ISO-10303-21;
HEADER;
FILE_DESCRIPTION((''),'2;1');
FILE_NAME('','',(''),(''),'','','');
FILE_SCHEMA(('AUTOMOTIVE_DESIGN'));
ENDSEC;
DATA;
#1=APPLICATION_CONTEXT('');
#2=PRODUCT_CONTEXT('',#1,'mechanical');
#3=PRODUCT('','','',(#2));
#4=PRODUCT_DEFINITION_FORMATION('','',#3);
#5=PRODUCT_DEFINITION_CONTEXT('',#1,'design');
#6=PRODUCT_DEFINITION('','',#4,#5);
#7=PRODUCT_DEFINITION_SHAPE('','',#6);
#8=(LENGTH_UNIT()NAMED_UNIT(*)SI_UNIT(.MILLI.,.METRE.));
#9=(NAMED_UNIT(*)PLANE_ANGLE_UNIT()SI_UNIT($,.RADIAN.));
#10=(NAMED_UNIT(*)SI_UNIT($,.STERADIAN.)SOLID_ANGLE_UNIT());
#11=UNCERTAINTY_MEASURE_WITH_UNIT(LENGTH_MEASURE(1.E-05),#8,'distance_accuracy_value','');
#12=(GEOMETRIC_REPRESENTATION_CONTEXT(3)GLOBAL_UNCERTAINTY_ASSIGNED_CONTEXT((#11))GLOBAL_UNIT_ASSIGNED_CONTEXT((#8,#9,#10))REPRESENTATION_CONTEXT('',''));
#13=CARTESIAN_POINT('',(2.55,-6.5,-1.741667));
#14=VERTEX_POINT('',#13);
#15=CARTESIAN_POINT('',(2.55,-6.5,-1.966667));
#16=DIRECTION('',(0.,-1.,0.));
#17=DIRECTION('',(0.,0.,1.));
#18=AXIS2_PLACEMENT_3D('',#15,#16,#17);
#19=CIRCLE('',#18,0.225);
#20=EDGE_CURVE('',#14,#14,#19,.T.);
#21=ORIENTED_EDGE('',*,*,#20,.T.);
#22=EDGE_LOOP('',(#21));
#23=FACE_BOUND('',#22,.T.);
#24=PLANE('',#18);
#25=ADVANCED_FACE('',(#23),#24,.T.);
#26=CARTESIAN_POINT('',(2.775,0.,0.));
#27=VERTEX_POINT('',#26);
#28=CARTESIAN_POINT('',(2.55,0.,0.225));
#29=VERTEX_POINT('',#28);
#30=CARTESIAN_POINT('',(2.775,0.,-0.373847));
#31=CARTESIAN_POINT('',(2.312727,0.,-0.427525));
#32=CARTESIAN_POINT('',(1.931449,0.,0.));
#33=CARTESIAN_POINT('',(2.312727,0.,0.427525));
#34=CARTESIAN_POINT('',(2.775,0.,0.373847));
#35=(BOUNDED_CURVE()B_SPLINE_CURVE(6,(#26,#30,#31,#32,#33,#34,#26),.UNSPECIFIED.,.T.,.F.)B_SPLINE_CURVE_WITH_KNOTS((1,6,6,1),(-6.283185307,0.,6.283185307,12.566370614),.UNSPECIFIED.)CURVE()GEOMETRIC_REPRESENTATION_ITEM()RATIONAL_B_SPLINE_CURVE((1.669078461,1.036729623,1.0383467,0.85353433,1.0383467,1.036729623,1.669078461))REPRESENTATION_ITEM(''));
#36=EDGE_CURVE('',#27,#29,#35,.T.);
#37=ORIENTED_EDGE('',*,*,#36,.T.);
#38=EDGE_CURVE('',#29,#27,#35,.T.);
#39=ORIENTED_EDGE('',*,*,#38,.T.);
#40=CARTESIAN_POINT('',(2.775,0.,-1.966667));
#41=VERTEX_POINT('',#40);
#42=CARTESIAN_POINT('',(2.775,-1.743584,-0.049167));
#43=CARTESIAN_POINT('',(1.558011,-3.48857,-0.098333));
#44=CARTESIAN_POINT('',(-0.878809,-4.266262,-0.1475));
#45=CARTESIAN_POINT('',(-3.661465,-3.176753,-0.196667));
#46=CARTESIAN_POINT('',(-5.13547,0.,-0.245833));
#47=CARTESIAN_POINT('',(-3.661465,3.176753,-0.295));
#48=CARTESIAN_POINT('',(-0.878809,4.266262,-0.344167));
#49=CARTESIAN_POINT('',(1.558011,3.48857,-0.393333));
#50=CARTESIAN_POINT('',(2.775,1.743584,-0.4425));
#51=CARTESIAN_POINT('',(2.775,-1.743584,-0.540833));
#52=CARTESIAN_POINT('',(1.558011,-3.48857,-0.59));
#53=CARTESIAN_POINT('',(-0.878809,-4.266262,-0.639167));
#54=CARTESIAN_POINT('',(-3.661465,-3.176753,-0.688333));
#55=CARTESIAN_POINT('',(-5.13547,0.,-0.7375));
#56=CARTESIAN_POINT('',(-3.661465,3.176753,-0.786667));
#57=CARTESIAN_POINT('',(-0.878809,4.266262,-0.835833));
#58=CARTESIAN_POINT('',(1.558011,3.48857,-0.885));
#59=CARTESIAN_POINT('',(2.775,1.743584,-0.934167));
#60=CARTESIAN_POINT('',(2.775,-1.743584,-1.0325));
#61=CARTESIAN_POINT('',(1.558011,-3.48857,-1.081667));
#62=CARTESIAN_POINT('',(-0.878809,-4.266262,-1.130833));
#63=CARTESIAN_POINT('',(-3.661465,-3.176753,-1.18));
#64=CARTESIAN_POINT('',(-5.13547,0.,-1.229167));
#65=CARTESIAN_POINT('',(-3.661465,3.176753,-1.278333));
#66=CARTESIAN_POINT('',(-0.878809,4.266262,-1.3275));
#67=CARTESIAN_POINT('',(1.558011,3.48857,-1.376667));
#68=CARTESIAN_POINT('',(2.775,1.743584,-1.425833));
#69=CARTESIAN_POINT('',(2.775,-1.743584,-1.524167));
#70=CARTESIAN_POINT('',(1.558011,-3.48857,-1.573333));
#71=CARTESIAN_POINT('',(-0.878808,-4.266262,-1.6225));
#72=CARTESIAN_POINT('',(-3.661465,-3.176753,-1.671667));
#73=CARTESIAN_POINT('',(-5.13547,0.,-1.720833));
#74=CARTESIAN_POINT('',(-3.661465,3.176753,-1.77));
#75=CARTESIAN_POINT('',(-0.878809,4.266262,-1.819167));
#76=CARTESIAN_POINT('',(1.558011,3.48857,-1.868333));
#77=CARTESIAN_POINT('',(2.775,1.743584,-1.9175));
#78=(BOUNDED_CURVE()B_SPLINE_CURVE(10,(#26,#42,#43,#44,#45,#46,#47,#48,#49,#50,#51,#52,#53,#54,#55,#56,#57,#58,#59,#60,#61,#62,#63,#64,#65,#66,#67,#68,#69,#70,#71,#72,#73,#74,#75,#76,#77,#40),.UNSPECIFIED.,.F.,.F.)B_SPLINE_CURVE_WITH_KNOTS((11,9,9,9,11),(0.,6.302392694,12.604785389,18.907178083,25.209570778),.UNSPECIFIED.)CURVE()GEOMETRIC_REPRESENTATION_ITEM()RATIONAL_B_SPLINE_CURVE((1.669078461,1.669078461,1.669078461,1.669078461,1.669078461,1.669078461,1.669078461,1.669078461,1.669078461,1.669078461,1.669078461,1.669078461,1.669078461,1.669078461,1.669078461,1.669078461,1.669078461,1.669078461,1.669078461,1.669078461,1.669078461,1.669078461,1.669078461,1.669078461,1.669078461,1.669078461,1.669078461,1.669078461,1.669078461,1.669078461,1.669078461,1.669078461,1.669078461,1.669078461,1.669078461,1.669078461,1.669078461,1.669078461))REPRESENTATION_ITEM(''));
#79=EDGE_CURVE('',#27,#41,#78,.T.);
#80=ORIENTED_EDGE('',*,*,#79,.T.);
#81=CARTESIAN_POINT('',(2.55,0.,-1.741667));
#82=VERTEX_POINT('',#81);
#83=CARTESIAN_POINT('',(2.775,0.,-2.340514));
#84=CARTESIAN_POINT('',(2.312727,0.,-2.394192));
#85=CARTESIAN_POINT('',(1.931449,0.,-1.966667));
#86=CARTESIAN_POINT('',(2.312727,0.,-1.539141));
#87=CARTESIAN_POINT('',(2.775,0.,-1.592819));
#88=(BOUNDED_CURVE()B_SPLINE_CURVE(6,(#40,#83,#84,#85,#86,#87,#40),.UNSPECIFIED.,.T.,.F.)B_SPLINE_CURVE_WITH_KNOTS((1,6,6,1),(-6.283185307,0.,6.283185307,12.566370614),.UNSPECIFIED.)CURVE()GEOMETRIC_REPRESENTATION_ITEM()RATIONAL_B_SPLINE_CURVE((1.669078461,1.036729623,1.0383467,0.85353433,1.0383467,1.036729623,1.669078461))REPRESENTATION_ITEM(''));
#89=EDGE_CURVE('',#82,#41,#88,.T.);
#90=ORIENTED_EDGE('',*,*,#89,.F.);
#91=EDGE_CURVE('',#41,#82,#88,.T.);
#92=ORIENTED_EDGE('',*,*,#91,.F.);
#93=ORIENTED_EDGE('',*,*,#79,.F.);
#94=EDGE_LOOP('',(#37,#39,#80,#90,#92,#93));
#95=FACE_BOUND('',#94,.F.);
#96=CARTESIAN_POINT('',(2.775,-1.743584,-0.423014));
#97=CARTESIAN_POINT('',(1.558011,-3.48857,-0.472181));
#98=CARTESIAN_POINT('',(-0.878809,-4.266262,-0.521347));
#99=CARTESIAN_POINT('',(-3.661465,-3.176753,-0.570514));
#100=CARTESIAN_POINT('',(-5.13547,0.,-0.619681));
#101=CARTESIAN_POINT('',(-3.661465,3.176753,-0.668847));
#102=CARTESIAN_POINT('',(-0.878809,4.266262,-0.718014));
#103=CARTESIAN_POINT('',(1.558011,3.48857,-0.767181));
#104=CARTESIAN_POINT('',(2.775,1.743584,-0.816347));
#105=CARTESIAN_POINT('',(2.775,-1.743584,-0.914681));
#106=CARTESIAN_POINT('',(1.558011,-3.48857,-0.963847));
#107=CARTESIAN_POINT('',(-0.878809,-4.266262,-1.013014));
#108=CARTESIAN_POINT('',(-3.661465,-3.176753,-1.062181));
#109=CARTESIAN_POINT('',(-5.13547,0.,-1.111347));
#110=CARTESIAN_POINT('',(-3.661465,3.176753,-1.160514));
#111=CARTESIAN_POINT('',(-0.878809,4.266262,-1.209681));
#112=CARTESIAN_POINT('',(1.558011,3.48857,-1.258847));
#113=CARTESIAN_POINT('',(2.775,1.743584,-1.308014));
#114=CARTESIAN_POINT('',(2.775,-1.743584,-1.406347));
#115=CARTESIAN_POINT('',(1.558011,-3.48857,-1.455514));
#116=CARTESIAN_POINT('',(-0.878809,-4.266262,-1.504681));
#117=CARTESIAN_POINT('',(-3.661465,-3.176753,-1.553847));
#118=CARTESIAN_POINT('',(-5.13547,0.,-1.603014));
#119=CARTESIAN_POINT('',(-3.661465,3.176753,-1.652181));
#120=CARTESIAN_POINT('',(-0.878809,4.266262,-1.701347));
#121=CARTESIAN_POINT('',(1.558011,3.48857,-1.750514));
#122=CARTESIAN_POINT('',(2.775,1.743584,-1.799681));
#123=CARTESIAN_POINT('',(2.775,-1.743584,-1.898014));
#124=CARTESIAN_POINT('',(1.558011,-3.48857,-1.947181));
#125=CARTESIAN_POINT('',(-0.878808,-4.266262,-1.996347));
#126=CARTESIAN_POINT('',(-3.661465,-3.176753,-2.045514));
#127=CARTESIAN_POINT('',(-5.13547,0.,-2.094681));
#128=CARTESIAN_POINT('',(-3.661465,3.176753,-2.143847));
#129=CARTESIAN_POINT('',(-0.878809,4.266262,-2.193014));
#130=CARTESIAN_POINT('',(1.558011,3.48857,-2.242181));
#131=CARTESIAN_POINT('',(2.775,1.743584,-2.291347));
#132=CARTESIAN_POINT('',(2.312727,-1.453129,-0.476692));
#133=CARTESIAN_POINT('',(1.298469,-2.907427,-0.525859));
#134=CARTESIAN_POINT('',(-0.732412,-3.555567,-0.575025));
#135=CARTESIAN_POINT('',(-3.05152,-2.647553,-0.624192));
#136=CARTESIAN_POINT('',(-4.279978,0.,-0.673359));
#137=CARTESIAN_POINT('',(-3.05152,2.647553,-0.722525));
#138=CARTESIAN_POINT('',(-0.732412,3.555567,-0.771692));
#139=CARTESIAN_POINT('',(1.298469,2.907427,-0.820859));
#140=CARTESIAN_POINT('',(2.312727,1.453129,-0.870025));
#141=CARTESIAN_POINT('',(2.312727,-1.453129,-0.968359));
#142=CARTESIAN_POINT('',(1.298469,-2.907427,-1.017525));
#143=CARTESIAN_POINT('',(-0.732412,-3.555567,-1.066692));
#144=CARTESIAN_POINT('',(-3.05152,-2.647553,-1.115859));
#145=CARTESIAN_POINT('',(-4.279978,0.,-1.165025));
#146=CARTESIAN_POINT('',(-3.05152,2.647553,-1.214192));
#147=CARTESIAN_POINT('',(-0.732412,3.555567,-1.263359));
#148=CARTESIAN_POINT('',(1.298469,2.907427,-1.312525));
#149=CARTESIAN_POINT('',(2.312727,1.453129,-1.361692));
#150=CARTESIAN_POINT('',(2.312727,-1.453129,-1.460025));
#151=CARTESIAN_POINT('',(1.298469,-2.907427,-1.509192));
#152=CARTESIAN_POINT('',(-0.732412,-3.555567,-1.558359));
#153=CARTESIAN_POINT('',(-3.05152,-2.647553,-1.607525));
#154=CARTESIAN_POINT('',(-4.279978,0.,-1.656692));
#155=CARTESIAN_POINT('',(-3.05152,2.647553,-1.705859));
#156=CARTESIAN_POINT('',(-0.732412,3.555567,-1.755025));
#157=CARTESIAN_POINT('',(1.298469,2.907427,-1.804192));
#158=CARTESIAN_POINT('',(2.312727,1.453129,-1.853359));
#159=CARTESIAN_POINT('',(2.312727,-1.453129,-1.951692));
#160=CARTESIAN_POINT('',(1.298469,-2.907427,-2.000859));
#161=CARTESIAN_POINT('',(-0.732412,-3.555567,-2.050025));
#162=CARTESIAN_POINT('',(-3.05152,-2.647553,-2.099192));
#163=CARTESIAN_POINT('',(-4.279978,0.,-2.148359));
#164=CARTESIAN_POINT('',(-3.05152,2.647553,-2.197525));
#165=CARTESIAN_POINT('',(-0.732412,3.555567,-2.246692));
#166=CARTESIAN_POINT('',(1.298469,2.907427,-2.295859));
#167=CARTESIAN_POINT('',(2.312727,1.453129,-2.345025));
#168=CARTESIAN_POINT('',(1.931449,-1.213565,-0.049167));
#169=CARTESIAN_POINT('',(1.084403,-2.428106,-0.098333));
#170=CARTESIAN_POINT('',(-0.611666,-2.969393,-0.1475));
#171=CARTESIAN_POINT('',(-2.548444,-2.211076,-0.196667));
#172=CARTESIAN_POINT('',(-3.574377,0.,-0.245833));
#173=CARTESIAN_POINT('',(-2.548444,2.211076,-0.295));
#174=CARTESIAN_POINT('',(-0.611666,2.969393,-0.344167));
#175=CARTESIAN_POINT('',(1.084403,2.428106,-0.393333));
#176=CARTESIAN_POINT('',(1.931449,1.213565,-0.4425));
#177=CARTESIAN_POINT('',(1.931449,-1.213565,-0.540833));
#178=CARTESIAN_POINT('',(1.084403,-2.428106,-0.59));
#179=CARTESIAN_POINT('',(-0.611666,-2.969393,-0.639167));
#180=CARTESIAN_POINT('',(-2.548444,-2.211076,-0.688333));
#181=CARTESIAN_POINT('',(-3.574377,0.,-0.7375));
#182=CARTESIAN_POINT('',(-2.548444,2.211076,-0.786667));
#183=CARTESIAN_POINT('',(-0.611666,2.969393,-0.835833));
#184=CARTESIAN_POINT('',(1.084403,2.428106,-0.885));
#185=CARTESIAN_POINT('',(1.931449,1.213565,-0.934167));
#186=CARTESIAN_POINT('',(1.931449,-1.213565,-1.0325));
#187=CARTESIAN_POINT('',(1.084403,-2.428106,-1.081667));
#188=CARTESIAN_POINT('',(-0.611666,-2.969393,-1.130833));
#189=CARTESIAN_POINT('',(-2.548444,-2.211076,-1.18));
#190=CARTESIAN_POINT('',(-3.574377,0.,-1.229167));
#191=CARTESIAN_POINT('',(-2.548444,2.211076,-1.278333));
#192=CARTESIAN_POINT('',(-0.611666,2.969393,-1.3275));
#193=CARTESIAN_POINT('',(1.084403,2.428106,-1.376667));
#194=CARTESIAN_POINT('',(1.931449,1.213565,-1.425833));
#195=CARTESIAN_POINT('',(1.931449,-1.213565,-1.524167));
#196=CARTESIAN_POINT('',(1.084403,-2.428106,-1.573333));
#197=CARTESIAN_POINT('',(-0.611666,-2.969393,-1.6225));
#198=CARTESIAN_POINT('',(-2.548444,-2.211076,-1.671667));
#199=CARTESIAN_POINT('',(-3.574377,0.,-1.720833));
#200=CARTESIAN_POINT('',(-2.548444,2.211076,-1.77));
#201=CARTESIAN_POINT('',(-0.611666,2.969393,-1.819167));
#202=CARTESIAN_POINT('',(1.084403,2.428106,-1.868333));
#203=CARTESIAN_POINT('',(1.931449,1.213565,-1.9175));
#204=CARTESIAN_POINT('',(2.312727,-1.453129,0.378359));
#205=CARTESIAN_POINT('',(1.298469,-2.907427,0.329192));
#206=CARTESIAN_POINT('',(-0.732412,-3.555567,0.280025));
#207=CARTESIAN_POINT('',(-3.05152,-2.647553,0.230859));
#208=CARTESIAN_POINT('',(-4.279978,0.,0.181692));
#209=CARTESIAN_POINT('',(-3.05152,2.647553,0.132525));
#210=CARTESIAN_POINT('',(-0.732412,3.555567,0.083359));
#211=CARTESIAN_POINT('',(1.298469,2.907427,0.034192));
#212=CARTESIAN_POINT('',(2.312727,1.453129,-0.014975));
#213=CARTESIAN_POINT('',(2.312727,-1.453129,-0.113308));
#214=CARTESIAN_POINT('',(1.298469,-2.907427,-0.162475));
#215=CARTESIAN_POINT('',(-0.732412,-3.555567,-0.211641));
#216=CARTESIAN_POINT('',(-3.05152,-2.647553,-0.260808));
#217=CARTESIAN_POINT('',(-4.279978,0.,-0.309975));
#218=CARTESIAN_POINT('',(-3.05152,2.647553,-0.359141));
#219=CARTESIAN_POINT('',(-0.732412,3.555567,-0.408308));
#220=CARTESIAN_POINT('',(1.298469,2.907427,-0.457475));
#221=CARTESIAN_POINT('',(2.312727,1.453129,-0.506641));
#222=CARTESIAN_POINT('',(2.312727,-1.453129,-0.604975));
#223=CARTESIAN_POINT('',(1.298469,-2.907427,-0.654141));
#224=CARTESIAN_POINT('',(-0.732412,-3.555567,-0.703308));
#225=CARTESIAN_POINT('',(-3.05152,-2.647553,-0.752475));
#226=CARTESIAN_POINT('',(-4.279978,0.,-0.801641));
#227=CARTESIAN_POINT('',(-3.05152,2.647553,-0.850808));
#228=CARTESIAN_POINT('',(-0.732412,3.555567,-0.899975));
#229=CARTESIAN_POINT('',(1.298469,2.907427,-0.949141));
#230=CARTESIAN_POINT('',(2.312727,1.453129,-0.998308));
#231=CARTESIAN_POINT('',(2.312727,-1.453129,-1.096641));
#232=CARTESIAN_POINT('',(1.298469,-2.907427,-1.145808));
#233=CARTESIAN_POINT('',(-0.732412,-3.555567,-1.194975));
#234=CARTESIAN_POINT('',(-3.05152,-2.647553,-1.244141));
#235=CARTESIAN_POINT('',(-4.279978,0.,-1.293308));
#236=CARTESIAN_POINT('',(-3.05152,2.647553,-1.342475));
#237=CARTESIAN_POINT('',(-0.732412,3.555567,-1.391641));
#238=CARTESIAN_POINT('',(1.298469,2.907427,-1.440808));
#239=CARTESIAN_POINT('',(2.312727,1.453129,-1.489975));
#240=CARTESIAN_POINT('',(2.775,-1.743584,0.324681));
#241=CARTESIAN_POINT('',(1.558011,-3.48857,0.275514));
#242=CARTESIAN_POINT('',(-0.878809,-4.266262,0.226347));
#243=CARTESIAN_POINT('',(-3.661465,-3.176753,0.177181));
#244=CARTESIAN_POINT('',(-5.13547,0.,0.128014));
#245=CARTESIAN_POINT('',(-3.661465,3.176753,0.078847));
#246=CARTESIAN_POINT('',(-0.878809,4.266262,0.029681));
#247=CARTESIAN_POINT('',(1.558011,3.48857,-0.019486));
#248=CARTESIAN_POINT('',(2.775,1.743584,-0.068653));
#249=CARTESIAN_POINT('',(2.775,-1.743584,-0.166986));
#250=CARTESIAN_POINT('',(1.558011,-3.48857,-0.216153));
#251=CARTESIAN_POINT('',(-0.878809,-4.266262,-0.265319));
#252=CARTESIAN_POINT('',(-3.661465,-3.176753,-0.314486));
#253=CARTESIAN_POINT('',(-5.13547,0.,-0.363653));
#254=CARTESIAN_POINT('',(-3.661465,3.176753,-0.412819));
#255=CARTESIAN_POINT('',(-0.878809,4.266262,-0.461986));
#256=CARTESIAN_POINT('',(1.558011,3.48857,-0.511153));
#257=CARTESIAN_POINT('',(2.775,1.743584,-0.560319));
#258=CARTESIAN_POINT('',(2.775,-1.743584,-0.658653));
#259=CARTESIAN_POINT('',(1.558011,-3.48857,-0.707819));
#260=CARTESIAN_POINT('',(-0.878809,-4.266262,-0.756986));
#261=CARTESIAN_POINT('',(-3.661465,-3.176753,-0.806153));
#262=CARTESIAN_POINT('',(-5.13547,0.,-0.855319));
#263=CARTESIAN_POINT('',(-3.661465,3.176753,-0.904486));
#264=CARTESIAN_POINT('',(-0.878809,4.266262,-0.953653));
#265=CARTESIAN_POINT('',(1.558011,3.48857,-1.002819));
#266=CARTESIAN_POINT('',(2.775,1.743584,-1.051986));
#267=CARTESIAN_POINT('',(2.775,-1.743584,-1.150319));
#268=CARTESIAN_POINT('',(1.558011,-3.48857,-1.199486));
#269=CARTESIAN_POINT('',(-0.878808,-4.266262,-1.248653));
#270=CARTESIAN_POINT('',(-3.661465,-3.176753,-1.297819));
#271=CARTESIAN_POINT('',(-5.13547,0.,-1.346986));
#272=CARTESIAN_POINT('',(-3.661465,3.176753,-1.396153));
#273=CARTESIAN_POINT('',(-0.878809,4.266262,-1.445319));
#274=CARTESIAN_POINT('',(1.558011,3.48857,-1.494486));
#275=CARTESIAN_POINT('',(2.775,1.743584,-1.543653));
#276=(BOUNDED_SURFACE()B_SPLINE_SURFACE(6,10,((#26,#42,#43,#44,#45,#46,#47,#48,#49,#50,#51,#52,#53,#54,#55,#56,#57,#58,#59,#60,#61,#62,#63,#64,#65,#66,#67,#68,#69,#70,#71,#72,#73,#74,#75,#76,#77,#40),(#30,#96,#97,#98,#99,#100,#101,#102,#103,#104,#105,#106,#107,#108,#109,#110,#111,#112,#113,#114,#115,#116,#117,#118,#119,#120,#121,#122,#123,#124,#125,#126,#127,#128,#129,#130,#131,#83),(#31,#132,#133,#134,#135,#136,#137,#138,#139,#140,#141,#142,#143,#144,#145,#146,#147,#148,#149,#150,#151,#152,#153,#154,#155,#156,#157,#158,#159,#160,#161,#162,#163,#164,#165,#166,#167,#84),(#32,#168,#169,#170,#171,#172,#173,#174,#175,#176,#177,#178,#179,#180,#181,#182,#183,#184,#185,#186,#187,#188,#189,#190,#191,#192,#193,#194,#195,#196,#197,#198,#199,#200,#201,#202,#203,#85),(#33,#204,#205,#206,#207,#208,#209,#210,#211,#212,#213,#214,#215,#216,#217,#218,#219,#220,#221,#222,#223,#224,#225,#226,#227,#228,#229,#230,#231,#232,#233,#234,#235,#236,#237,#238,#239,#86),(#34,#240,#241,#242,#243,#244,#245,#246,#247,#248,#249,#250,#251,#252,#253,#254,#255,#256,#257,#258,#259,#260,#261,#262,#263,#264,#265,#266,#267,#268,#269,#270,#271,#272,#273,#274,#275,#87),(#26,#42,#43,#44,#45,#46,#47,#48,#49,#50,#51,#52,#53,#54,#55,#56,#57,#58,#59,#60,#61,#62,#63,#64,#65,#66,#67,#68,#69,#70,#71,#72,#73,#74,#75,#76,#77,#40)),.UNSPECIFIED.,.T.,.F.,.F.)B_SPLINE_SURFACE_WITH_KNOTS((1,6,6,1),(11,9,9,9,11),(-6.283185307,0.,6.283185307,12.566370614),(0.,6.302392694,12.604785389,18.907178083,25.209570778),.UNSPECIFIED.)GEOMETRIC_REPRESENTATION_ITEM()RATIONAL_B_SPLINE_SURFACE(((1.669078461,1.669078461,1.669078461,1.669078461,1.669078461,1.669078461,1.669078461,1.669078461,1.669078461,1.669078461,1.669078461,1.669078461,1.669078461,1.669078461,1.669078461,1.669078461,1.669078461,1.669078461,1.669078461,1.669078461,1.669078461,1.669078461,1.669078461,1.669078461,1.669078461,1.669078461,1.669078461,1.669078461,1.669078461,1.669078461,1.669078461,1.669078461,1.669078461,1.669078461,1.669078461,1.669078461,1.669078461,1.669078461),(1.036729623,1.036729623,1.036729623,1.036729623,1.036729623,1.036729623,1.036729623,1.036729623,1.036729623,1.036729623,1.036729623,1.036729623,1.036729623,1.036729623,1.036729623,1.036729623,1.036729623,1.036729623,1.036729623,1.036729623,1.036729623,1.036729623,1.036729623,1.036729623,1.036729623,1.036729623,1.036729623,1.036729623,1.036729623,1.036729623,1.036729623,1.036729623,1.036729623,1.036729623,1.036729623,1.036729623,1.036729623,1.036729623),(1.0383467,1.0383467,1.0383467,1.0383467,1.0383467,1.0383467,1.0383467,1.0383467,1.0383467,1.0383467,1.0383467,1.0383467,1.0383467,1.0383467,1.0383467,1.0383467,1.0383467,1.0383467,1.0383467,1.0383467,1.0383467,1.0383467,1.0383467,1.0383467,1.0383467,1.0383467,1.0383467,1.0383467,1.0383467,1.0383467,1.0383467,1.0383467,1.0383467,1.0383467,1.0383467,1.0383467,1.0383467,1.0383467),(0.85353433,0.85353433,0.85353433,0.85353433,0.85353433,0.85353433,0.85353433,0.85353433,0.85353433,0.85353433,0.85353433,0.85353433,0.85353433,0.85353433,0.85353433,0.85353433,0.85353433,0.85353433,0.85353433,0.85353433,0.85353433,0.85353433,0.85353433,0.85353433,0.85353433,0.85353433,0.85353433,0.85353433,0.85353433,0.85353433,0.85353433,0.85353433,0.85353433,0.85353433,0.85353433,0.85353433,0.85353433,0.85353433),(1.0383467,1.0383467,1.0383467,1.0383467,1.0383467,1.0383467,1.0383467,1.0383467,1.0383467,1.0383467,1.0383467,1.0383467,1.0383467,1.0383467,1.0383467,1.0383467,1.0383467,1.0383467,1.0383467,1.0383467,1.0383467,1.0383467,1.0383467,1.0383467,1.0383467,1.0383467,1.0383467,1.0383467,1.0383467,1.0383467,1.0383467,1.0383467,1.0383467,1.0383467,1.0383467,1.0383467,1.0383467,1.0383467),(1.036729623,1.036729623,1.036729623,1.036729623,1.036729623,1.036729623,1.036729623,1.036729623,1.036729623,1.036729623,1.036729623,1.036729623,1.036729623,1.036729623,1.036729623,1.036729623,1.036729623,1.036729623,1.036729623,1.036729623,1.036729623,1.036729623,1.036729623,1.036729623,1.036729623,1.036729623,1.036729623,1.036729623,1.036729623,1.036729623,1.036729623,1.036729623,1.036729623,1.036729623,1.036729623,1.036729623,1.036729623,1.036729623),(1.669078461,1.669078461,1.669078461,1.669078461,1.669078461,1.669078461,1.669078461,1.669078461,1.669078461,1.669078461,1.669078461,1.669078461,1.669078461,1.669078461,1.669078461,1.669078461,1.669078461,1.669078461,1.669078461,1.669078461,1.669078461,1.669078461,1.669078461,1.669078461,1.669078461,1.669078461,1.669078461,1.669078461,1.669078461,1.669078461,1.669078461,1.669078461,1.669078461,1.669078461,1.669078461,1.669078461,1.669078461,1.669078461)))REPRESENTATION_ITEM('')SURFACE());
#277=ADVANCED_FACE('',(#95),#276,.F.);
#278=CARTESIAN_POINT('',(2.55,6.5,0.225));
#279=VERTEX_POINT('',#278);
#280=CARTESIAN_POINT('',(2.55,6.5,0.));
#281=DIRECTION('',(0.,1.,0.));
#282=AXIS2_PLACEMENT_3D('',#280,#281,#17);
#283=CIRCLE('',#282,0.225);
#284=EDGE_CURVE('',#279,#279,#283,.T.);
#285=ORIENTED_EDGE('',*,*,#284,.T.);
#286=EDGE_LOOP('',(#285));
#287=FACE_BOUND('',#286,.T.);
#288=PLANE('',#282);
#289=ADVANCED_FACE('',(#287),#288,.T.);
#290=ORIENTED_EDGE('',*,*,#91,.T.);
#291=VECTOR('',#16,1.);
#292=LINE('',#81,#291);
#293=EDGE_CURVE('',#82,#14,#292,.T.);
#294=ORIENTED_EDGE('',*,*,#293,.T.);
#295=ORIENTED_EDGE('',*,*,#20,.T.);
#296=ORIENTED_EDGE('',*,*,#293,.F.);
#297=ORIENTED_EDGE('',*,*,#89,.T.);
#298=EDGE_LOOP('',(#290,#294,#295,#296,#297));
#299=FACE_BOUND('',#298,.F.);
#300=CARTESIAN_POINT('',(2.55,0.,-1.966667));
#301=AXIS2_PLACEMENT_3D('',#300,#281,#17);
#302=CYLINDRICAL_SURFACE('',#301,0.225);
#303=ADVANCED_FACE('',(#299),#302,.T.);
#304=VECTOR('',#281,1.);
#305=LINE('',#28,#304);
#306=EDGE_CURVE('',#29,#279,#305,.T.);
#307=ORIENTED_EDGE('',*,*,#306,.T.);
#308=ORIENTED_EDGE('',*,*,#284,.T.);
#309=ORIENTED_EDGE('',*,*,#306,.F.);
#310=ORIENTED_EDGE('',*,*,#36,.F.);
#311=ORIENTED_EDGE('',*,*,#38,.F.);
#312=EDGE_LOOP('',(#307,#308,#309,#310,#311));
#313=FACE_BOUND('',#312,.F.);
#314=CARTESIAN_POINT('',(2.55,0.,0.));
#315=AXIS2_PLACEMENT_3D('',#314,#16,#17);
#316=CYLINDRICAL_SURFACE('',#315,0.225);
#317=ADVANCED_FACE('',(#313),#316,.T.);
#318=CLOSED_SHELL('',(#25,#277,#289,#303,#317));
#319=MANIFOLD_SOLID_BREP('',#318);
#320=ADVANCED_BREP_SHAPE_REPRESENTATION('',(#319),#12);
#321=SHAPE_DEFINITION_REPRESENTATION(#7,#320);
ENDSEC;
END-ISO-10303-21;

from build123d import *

# Parameters (mm, degrees)
SWEEP1_PITCH        = 0.491666667
SWEEP1_HEIGHT       = 1.966666667
SWEEP1_RADIUS       = 2.55
SWEEP1_START_ANGLE  = -180
SKETCH2_R           = 0.225
SKETCH4_R           = 0.225
BOSS_EXTRUDE1_DEPTH = 6.5
SKETCH5_R           = 0.225
BOSS_EXTRUDE2_DEPTH = 6.5


with BuildPart() as part:
    # Sweep1: sweep along a helix
    with BuildLine() as sweep1_path:
        add(Helix(SWEEP1_PITCH, SWEEP1_HEIGHT, SWEEP1_RADIUS, center=(0, 0, 0), direction=(0, 0, -1), mode=Mode.PRIVATE).rotate(Axis((0, 0, 0), (0, 0, -1)), SWEEP1_START_ANGLE))
    # Sketch2 → Sweep1 (sweep)
    with BuildSketch(Plane(origin=(0, 0, 0), x_dir=(1, 0, 0), z_dir=(0, 1, 0))):
        with Locations((2.55, 0)):
            Circle(SKETCH2_R)
    sweep(path=sweep1_path.line, is_frenet=True)

    # Sketch4 → Boss-Extrude1 (add)
    with BuildSketch(Plane.XZ):
        with Locations(Location((2.55, -1.966666667, 0), (0, 0, 90))):
            Circle(SKETCH4_R)
    extrude(amount=BOSS_EXTRUDE1_DEPTH)

    # Sketch5 → Boss-Extrude2 (add)
    with BuildSketch(Plane(origin=(0, 0, 0), x_dir=(1, 0, 0), z_dir=(0, 1, 0))):
        with Locations(Location((2.55, 0, 0), (0, 0, 270))):
            Circle(SKETCH5_R)
    extrude(amount=BOSS_EXTRUDE2_DEPTH)


solid = part.part
